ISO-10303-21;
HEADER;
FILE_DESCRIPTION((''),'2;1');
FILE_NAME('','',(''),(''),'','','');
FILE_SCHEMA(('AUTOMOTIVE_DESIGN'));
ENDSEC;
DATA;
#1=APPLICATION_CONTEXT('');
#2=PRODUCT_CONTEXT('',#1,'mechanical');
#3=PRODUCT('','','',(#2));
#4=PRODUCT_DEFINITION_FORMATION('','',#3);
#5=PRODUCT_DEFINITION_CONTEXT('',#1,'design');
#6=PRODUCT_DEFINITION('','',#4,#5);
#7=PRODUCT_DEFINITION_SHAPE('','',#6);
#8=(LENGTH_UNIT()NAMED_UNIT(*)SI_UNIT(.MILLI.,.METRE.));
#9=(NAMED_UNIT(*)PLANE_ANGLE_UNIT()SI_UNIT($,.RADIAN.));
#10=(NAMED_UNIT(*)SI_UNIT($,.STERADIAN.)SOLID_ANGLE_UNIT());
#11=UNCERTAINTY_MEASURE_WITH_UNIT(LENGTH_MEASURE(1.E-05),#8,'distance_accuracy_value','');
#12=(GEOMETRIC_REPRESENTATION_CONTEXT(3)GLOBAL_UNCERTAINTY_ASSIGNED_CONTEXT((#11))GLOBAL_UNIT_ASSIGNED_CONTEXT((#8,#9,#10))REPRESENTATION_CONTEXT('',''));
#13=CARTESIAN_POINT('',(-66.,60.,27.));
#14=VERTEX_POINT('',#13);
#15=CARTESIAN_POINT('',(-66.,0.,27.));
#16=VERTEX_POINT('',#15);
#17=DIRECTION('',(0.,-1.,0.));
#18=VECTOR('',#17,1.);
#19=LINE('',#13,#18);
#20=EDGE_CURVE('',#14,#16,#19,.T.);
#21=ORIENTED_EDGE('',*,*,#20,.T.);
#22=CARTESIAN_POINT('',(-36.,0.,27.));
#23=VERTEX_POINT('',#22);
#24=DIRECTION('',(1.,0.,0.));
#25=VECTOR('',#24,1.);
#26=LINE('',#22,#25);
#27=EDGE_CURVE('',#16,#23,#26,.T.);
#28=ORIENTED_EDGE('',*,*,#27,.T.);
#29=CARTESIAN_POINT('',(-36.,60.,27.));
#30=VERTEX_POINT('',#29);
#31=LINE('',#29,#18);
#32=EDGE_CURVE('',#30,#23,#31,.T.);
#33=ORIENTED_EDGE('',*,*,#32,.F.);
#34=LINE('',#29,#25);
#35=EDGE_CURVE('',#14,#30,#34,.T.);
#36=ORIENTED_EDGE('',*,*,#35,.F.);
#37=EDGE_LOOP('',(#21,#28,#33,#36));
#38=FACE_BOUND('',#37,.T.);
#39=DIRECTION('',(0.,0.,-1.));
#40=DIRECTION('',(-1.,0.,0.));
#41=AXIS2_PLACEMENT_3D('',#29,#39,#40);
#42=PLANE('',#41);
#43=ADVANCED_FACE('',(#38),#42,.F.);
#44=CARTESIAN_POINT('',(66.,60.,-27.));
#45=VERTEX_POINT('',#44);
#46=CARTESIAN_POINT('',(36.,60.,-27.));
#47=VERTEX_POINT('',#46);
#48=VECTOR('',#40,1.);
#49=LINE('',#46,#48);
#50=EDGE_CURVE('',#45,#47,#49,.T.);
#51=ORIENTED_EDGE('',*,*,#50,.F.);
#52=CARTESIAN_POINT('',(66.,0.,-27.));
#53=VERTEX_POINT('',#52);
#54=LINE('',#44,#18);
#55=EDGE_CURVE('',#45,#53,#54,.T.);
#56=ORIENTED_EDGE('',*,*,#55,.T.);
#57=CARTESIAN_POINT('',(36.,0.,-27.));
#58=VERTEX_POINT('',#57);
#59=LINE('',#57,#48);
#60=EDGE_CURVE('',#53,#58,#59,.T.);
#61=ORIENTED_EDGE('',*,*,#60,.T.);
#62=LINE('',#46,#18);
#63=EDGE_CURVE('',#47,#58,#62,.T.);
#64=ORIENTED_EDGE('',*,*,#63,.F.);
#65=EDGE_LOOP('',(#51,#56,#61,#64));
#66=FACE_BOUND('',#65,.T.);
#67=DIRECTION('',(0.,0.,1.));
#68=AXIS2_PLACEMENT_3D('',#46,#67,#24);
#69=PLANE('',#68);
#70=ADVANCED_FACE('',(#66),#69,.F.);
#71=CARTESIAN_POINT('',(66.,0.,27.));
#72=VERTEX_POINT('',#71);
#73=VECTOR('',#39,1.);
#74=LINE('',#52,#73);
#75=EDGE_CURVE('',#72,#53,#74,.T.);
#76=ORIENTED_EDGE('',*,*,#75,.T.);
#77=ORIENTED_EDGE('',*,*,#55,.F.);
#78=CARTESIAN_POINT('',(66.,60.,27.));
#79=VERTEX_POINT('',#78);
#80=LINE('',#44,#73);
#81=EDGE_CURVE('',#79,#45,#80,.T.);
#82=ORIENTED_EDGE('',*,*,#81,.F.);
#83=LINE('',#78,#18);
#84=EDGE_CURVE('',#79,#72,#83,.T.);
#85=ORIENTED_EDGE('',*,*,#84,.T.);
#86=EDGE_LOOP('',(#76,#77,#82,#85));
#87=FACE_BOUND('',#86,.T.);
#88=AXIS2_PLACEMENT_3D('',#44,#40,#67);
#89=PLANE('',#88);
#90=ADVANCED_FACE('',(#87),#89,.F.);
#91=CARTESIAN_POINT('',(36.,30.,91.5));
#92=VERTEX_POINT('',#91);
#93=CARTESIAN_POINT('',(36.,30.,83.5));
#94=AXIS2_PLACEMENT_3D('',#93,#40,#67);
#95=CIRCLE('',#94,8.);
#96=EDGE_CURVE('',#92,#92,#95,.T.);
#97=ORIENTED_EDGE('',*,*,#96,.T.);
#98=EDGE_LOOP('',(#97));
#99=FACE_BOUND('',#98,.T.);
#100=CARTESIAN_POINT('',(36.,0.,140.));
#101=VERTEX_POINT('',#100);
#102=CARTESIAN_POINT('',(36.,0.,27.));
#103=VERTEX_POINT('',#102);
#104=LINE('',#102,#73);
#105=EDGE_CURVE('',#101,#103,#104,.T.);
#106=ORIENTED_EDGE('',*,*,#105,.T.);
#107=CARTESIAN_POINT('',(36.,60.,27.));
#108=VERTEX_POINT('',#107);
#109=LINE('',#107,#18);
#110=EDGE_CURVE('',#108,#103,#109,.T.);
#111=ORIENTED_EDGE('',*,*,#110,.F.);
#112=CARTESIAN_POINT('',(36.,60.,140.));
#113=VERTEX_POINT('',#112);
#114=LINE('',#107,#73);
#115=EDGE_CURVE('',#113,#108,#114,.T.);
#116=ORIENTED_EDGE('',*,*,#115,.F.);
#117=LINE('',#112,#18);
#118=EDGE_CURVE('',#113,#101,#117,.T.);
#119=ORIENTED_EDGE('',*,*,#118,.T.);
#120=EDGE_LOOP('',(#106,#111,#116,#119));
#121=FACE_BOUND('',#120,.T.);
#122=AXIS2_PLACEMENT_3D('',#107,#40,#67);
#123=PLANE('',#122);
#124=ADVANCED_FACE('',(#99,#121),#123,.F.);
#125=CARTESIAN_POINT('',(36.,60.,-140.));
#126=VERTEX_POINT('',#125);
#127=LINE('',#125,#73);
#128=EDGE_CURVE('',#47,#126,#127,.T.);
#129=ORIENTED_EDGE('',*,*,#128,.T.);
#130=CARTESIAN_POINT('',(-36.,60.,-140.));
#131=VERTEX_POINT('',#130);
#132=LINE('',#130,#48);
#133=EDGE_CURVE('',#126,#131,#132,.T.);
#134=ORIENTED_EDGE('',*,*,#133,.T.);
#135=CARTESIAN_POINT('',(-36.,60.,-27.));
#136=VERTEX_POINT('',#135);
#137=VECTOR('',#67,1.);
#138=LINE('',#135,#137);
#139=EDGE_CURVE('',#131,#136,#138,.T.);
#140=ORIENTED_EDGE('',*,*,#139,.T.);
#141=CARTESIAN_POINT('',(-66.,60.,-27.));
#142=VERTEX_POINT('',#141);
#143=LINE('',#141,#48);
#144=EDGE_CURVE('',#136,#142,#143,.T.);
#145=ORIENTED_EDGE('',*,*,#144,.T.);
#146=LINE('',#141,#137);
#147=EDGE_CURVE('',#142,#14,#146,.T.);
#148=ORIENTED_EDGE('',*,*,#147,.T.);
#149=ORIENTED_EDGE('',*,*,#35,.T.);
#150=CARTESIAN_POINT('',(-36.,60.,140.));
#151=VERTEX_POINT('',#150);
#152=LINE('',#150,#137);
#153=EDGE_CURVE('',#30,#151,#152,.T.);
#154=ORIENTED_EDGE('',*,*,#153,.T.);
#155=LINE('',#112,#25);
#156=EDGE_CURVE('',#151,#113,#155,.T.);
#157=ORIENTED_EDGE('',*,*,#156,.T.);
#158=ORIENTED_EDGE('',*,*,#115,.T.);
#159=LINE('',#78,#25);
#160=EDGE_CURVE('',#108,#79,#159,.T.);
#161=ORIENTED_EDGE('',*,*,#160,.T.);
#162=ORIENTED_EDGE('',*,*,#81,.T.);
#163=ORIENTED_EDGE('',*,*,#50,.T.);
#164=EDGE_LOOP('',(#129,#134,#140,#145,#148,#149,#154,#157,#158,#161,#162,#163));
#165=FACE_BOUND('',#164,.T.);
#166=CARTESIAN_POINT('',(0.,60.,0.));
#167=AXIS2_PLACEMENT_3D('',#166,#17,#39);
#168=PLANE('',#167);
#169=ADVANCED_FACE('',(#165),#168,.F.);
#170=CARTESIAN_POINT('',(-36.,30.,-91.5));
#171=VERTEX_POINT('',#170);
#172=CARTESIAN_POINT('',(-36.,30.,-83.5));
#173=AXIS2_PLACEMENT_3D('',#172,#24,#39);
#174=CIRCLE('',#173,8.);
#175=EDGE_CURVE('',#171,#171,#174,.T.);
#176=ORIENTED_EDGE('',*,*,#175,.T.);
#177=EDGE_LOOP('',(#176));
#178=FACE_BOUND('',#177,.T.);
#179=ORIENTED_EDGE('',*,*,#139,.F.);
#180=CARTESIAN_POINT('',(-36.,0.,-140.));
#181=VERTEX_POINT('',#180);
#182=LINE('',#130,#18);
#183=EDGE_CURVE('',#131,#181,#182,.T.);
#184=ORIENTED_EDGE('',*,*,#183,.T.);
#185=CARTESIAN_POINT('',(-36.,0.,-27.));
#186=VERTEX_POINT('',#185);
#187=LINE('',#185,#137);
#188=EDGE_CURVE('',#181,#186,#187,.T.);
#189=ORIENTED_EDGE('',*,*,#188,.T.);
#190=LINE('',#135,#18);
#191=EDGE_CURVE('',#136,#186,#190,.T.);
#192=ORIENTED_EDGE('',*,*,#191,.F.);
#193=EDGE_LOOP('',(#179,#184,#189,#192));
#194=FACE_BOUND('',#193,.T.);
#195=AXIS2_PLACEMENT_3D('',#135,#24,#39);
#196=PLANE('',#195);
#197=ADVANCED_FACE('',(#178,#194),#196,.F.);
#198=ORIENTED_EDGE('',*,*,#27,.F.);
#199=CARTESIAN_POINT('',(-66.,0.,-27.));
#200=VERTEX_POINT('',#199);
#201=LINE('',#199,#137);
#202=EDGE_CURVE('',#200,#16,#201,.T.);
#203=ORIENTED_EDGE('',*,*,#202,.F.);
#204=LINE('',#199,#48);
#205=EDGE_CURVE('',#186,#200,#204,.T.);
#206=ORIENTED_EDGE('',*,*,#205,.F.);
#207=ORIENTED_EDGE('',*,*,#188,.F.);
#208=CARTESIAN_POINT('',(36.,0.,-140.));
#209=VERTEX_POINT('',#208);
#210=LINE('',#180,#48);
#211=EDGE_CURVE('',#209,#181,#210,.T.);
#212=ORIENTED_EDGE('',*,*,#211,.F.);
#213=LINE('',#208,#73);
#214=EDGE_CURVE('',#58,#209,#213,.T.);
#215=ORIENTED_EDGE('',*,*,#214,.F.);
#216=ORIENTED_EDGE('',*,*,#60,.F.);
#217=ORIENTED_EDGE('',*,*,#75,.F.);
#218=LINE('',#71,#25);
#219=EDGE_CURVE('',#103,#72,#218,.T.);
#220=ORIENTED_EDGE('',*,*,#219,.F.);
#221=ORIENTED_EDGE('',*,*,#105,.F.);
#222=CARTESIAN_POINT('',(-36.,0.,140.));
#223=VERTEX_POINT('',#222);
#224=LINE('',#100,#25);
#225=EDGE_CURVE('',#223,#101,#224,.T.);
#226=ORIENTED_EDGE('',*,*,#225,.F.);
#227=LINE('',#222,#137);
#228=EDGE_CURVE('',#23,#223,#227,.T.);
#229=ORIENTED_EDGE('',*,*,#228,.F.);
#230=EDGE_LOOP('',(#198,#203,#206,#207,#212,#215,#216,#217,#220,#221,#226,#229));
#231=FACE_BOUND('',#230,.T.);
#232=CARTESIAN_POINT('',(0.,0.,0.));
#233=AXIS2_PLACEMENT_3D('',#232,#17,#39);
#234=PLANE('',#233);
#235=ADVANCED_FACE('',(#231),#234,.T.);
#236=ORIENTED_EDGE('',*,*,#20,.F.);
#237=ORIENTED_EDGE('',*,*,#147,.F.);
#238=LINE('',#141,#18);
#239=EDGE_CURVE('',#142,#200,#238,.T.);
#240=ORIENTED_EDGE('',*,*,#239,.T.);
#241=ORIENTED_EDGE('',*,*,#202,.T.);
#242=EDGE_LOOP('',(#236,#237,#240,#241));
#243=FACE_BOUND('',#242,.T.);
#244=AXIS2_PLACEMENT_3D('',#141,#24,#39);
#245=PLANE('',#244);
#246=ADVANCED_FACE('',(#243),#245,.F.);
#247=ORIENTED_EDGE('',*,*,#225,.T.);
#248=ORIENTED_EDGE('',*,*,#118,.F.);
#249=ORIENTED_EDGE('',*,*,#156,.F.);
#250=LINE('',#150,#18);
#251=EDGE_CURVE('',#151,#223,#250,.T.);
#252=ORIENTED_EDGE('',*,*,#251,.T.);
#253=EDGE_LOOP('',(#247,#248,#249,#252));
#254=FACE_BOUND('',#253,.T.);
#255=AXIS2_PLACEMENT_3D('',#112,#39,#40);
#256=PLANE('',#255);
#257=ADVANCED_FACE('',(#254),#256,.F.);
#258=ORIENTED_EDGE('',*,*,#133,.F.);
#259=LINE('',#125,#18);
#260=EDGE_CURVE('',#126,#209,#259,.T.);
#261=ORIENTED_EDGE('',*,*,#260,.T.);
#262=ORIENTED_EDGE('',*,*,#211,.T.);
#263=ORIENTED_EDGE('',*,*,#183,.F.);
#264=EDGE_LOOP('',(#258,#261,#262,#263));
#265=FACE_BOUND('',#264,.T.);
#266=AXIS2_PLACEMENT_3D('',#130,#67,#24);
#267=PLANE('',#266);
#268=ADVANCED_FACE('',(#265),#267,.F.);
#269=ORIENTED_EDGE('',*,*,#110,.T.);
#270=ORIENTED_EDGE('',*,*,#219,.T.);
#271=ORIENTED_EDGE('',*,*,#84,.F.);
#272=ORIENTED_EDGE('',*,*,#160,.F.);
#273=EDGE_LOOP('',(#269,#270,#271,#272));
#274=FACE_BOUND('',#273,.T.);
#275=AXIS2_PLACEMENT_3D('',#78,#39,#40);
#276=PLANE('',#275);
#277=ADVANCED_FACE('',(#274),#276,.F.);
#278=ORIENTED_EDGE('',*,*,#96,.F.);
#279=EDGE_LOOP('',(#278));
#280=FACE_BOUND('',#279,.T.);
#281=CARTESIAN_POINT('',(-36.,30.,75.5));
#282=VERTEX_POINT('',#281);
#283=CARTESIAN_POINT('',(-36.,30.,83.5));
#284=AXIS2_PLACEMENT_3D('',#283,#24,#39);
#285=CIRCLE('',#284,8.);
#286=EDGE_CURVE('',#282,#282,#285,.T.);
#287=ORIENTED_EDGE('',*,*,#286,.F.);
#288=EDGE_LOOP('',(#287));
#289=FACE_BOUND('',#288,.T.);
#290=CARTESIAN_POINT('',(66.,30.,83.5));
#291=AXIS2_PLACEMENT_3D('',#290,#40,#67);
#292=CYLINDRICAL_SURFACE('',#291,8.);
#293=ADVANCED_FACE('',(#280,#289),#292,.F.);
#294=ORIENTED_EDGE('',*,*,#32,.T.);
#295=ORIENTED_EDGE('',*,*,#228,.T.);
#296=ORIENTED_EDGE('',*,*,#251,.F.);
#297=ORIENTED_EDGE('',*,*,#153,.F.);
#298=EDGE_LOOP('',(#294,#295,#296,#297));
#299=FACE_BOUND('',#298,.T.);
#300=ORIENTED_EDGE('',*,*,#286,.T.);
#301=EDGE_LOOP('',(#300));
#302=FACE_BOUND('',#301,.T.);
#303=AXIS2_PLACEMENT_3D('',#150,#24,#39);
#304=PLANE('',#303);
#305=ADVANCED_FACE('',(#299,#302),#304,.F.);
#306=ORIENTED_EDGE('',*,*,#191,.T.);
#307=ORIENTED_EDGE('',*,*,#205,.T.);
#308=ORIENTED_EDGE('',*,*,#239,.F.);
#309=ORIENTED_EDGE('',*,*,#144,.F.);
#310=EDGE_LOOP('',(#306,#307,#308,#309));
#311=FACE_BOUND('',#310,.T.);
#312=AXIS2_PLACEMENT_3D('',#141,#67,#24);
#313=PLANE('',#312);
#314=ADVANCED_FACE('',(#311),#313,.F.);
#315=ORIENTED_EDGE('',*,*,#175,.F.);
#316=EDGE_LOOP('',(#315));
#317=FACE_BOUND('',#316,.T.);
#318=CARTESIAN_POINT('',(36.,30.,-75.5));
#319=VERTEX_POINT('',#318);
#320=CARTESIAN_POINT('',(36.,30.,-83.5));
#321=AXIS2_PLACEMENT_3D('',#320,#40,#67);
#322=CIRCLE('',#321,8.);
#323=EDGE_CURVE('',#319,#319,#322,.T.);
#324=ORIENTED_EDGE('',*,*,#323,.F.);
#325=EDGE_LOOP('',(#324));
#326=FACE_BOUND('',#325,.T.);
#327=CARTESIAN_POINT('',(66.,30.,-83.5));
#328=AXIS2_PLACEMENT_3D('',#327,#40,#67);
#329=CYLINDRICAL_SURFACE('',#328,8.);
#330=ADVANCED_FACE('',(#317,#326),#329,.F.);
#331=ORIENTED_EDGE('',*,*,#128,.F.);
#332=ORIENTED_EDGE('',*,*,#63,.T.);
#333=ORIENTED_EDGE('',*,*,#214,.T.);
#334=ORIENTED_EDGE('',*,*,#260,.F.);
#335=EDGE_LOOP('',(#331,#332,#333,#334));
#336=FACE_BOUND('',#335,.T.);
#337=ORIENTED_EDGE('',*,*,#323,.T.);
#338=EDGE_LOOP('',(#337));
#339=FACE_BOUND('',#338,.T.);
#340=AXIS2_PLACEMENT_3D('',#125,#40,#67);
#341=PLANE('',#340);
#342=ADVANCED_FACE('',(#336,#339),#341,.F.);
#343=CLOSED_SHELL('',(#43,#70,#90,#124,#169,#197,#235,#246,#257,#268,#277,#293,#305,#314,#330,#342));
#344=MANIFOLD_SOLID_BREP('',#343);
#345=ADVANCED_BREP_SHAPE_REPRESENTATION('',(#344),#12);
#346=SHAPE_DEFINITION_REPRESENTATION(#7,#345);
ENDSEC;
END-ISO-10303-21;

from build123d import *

# Parameters (mm, degrees)
BOSS_EXTRUDE1_DEPTH     = 60
CUT_EXTRUDE1_DEPTH      = 184.313938368
CUT_EXTRUDE1_DEPTH_BACK = 184.313938368
SKETCH2_R               = 8


with BuildPart() as part:
    # Sketch1 → Boss-Extrude1 (new body)
    with BuildSketch(Plane(origin=(0, 0, 0), x_dir=(1, 0, 0), z_dir=(0, 1, 0))):
        Polygon((-66, 27), (-36, 27), (-36, 140), (36, 140), (36, 27), (66, 27), (66, -27), (36, -27), (36, -140), (-36, -140), (-36, -27), (-66, -27), align=None)
    extrude(amount=BOSS_EXTRUDE1_DEPTH)

    # Sketch2 → Cut-Extrude1 (cut, two sides: drawn at the far end of the back side and taken through both)
    with BuildSketch(Plane.ZY.offset(36).offset(-CUT_EXTRUDE1_DEPTH_BACK)):
        with Locations((83.5, 30)):
            Circle(SKETCH2_R)
        with Locations((-83.5, 30)):
            Circle(SKETCH2_R)
    extrude(amount=CUT_EXTRUDE1_DEPTH + CUT_EXTRUDE1_DEPTH_BACK, mode=Mode.SUBTRACT)


solid = part.part
